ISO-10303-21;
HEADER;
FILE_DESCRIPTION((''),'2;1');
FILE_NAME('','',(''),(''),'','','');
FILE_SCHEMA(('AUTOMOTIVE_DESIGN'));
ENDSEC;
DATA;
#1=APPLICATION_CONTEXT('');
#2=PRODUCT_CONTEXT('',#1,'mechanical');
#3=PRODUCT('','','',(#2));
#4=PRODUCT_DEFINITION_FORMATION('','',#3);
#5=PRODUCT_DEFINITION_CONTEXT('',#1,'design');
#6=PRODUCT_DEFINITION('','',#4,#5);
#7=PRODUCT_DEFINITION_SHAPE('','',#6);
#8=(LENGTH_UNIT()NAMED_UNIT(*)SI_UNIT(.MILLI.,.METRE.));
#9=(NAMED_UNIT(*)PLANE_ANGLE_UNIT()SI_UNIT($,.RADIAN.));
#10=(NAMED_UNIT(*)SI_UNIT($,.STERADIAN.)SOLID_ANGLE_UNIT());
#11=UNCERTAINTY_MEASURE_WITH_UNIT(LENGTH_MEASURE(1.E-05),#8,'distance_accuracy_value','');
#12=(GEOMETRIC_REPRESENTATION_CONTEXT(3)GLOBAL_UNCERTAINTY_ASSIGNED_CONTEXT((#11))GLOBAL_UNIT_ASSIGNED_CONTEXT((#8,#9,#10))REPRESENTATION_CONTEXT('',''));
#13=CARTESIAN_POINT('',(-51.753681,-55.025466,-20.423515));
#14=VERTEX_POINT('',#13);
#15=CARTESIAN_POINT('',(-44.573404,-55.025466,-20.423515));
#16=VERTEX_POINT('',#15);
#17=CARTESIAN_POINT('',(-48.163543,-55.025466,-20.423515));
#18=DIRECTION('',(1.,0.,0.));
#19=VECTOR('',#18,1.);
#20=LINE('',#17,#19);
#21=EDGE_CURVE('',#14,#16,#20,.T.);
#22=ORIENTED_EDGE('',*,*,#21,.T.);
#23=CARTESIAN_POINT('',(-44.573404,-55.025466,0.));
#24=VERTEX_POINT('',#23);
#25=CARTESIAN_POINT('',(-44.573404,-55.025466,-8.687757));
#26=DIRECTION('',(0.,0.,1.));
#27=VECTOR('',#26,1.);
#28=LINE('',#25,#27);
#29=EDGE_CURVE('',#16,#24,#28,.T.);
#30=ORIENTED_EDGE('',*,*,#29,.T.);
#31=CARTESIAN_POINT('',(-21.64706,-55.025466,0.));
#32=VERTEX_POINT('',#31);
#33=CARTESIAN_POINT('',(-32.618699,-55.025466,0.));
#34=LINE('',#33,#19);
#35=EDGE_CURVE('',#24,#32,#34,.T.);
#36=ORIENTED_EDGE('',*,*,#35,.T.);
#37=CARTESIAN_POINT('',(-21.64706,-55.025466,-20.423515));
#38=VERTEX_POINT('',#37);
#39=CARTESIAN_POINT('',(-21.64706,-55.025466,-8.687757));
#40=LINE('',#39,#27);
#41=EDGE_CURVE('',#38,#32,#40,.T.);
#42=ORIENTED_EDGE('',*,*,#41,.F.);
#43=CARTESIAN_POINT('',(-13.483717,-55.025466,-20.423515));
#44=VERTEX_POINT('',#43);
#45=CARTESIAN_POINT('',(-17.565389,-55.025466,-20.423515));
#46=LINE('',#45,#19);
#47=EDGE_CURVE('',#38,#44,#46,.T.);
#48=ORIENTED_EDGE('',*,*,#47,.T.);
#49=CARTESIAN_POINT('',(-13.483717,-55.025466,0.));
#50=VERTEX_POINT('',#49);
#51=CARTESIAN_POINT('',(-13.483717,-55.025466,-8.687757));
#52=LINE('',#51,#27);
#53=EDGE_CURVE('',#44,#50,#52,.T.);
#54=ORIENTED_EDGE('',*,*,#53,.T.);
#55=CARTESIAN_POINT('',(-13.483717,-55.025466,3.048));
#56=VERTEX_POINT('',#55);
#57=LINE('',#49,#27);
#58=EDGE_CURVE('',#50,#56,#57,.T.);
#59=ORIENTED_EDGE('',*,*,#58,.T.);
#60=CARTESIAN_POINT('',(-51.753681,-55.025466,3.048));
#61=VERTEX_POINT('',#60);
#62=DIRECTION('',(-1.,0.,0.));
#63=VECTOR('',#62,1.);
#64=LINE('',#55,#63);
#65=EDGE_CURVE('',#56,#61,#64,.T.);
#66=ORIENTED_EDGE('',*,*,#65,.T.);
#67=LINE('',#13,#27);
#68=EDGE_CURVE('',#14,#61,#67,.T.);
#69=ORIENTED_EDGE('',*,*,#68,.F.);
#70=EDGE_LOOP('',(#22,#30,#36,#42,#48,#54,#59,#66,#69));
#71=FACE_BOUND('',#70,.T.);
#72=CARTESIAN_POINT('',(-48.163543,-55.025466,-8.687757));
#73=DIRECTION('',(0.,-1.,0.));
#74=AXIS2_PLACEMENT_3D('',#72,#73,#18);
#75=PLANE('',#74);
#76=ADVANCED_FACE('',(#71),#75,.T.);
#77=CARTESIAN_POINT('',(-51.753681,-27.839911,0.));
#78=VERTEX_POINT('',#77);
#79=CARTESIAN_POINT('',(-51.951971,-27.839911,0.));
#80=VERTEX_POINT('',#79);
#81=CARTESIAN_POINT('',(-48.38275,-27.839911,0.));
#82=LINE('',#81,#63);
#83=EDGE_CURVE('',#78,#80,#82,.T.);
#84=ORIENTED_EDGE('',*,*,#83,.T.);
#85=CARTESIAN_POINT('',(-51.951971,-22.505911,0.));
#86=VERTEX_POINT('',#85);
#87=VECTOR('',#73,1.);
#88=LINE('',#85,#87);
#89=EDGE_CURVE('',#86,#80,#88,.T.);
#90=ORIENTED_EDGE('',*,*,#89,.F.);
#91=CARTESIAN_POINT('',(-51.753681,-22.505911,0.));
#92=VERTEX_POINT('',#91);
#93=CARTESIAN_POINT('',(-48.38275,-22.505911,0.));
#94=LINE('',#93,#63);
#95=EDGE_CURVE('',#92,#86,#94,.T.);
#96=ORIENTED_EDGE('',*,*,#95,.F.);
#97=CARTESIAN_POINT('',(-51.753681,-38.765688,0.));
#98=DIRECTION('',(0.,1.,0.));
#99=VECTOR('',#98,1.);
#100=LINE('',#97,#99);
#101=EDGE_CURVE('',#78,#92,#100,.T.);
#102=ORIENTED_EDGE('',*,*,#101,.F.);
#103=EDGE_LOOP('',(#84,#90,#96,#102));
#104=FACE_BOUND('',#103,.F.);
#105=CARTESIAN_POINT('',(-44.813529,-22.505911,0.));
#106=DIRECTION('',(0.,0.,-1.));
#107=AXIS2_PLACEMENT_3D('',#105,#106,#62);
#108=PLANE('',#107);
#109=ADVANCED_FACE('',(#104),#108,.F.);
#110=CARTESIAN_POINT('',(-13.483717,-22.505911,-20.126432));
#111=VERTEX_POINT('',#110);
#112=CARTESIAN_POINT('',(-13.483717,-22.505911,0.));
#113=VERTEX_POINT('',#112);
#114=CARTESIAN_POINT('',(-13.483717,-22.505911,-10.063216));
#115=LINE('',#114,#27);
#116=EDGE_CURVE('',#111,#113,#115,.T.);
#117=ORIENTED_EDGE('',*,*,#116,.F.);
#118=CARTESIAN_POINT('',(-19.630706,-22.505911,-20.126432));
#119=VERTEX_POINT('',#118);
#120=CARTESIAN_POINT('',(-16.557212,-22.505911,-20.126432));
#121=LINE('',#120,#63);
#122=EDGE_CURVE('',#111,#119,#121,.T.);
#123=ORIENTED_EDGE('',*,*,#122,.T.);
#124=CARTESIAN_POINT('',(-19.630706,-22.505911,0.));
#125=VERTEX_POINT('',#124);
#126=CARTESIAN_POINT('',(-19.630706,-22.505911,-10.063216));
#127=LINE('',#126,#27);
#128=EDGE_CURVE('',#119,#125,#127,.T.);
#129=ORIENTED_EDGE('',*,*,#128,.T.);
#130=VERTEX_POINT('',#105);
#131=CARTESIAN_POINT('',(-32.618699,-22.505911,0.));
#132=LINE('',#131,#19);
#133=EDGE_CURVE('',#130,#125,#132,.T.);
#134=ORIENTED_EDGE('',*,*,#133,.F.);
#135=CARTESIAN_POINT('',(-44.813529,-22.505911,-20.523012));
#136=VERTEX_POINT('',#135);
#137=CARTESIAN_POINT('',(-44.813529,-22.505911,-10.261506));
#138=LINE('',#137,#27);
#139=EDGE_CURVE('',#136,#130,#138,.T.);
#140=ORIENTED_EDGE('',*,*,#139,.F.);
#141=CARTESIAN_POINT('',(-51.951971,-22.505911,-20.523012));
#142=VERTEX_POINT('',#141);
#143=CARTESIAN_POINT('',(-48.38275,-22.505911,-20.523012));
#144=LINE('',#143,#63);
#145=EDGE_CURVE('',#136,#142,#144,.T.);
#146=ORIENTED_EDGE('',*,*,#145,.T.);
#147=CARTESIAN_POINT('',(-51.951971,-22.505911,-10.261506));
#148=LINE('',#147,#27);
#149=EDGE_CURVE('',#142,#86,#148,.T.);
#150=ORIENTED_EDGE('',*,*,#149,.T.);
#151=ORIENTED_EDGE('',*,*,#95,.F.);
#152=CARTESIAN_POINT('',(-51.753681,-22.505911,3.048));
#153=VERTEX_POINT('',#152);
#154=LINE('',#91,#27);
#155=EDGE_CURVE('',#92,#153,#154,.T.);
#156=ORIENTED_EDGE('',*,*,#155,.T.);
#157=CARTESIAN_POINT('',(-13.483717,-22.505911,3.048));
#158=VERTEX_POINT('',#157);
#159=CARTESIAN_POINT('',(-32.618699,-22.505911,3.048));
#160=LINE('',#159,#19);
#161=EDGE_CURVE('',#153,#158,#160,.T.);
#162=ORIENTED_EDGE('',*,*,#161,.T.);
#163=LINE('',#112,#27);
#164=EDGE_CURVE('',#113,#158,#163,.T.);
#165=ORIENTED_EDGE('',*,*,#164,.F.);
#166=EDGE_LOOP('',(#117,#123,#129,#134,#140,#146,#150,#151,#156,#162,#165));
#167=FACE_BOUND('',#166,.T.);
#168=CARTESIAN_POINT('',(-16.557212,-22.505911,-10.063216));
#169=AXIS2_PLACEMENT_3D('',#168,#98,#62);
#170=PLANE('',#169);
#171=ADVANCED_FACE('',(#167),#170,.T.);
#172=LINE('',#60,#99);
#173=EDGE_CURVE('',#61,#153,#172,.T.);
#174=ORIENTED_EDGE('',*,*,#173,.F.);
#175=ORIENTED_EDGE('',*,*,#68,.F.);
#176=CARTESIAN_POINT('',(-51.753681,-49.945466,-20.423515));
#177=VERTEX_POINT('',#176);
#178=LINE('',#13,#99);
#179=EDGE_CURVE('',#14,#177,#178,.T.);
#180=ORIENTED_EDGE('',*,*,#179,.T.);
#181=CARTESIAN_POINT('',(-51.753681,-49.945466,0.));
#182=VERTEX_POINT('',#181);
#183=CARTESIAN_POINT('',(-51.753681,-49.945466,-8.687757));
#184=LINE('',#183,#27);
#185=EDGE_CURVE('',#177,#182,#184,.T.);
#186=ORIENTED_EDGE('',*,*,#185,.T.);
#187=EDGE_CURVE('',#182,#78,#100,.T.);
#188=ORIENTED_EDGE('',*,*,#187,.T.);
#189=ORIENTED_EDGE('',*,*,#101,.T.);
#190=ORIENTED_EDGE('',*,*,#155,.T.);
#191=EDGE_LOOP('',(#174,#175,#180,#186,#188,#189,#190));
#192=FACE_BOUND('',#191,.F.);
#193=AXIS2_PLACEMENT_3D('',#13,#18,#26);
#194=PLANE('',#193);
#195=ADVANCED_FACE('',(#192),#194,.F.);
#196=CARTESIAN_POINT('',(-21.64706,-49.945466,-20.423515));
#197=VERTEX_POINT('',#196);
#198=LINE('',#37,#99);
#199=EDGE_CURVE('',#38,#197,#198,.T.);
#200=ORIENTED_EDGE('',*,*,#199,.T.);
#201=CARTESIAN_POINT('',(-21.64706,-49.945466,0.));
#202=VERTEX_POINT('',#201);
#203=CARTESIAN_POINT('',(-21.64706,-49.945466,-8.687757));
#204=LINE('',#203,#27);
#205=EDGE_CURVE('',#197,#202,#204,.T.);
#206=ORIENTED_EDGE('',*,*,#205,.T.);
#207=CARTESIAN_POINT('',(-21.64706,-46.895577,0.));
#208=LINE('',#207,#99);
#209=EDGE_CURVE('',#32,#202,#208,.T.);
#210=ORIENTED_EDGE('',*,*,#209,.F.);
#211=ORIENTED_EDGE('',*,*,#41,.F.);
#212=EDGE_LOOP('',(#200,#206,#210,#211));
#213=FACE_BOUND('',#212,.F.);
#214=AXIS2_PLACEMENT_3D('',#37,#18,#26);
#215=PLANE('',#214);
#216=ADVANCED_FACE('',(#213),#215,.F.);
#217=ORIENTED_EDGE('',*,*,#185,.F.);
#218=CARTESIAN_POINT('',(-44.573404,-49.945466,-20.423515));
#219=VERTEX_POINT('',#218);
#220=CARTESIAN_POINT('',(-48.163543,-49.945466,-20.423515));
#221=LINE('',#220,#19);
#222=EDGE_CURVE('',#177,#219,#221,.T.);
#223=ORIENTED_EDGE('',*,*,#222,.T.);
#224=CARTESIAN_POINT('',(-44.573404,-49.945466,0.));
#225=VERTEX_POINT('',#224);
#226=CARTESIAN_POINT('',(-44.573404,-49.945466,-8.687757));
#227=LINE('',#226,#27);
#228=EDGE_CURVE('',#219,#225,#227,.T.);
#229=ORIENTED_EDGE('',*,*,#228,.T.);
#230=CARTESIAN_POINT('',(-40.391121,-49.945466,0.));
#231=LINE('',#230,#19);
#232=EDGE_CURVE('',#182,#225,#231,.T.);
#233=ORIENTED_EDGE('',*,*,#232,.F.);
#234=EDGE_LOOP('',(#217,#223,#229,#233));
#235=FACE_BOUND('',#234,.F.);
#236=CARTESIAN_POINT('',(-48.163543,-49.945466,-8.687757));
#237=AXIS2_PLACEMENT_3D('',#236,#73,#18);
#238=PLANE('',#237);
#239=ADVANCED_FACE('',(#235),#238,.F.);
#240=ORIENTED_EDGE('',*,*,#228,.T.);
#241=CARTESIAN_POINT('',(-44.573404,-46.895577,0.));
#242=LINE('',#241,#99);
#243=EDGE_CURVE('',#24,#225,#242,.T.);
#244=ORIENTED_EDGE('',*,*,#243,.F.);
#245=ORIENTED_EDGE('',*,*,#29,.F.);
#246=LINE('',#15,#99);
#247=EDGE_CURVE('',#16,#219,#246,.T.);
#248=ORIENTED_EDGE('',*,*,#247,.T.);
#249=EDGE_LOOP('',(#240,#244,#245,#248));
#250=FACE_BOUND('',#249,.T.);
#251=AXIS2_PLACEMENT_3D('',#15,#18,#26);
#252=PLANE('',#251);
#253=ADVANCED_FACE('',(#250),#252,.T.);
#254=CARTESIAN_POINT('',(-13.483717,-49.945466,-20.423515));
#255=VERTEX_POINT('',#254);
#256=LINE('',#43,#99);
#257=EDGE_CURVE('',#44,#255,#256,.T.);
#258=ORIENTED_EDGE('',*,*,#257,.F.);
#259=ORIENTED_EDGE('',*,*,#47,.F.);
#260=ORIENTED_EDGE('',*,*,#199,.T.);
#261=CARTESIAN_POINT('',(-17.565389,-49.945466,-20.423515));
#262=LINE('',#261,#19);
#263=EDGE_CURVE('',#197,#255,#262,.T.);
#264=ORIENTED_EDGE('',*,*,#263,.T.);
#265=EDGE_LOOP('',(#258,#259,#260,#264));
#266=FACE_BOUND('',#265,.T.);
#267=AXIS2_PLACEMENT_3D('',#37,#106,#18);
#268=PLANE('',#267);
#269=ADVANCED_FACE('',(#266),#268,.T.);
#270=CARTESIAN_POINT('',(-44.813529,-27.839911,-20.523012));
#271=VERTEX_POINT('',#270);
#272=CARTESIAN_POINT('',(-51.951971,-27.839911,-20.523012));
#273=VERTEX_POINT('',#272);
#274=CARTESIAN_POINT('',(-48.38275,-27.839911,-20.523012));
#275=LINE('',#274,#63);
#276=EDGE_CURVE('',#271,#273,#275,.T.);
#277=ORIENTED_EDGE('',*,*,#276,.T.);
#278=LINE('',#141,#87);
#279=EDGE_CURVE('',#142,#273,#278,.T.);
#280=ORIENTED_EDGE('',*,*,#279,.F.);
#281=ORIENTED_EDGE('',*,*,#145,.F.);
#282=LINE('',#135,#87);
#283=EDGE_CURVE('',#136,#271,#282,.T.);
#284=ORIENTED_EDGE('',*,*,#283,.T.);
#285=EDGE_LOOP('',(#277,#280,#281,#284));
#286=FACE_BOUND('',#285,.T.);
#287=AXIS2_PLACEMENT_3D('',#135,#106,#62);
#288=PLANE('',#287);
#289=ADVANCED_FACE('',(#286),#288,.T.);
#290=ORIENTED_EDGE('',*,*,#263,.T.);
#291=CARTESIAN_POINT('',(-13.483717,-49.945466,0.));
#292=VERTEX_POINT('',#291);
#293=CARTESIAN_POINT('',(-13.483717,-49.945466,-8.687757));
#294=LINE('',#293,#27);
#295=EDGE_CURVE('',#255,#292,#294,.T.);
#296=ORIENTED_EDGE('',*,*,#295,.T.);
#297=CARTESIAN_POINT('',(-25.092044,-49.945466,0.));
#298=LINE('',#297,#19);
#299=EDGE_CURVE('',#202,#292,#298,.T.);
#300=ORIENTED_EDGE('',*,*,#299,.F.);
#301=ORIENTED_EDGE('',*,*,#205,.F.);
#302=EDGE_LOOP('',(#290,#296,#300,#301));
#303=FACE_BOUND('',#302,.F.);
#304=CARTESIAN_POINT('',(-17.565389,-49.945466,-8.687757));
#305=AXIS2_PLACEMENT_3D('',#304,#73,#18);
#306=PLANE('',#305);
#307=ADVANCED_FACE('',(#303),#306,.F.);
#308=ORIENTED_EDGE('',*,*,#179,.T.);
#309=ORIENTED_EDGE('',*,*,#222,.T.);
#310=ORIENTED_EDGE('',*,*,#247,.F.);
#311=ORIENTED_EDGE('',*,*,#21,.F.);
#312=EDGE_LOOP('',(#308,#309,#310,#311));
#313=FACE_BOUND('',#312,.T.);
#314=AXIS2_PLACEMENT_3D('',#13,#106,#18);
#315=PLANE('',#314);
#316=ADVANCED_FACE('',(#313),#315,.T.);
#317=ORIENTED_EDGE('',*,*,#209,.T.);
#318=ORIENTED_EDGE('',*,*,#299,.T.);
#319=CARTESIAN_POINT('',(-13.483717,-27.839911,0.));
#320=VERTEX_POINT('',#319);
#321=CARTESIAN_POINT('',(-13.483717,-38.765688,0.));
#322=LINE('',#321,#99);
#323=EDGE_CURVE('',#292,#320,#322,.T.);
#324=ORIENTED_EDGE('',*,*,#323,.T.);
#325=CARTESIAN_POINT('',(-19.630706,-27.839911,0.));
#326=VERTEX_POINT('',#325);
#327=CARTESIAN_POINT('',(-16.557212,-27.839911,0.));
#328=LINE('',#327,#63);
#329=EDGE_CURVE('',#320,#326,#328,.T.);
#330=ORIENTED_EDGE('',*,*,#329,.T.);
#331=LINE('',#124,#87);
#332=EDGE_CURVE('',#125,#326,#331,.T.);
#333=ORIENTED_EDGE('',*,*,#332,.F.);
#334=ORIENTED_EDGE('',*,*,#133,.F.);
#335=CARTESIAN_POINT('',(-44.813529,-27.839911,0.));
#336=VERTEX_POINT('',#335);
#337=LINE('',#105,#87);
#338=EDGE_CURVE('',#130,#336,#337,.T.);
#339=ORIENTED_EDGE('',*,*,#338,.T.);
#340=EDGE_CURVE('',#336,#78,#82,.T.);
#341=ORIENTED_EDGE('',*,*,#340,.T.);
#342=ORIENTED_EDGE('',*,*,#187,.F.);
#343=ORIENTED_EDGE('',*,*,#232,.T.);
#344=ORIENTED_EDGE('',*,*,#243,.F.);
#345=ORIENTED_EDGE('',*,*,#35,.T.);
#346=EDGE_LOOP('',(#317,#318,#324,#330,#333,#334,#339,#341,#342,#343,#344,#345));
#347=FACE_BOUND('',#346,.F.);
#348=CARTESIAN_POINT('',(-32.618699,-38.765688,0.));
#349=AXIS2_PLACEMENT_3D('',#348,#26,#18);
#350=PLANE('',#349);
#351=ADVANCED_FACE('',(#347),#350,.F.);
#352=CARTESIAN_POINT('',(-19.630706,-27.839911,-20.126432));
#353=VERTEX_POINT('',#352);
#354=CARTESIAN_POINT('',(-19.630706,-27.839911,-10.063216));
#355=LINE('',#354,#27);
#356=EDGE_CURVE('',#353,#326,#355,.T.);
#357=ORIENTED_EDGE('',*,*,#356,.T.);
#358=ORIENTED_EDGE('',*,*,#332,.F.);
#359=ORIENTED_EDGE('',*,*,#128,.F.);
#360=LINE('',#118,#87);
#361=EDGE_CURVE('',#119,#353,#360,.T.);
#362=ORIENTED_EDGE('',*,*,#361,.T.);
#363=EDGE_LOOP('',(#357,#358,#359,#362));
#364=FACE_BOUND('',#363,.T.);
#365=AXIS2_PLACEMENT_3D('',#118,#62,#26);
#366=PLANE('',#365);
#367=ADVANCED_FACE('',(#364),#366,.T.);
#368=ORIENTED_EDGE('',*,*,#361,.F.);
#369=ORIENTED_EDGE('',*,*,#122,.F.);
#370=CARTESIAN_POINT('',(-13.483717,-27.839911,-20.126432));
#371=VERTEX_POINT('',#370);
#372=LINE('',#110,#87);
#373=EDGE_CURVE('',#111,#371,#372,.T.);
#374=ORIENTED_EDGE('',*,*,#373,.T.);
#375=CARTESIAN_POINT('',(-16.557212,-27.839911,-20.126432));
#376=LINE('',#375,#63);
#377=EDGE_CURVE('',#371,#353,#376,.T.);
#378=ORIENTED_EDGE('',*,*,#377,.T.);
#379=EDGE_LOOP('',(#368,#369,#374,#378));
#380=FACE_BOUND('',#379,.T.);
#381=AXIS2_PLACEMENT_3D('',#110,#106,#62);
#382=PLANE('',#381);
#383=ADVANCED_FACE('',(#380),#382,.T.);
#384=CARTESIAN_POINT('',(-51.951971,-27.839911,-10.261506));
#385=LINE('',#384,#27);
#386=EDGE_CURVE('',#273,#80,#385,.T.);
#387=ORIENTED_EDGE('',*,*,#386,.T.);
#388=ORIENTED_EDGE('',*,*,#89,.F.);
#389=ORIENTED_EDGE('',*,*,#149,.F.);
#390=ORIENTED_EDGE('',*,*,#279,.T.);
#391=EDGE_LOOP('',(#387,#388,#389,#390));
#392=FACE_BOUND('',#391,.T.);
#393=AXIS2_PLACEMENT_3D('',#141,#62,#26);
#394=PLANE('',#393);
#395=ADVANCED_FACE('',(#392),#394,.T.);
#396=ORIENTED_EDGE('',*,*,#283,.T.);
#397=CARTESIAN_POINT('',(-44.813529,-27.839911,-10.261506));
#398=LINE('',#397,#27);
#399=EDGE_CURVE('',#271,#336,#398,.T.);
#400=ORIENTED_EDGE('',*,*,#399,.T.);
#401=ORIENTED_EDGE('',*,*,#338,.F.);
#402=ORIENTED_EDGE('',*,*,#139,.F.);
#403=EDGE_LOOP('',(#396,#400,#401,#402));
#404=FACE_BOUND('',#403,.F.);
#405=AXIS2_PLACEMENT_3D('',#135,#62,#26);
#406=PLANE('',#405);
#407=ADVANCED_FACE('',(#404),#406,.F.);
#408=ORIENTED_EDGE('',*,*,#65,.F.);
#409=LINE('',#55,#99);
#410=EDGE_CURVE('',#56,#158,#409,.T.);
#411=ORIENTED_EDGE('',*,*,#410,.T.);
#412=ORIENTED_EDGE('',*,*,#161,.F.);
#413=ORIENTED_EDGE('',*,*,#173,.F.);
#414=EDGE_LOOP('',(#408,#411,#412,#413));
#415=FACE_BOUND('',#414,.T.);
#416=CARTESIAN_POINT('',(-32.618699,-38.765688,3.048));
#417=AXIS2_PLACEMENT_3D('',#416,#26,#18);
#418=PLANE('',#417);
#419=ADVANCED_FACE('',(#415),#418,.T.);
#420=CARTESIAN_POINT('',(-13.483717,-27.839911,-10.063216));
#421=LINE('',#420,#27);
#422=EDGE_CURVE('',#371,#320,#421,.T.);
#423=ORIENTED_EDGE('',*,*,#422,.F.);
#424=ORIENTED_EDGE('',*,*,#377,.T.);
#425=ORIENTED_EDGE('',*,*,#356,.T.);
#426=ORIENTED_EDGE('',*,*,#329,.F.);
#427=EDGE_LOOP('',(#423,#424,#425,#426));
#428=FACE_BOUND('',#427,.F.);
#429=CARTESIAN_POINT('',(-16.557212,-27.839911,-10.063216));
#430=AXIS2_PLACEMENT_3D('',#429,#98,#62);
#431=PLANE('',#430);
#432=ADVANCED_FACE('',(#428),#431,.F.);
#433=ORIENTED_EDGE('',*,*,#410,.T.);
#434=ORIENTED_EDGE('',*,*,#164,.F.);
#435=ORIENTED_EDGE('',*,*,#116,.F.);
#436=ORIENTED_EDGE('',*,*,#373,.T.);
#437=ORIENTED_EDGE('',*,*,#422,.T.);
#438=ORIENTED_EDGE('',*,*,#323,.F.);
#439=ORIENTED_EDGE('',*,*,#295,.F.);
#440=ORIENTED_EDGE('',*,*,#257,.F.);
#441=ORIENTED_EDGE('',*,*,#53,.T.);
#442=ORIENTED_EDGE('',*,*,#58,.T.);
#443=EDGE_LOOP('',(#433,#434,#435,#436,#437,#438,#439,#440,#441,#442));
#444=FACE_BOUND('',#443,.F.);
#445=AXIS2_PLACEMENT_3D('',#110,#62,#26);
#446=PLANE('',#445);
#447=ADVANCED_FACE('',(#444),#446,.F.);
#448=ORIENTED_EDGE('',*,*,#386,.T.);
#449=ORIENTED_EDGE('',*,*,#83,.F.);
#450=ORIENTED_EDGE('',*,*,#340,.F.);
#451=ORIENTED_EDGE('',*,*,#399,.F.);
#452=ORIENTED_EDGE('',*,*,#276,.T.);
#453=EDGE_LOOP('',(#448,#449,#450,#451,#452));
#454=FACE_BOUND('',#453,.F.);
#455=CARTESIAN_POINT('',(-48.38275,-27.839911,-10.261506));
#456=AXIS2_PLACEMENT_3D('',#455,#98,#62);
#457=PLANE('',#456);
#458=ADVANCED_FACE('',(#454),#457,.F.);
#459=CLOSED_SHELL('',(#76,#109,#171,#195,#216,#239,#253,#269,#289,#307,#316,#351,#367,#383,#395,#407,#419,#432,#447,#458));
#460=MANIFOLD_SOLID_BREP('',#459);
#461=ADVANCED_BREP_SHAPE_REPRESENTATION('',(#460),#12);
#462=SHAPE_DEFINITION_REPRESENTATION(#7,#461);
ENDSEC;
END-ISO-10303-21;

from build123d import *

# Parameters (mm, degrees)
F0_W     = 38.2699640468
F0_H     = 32.5195547193
F1_DEPTH = 3.048
F2_W     = 6.1469888315
F2_H     = 20.1264321804
F2_W_2   = 7.1384422481
F2_H_2   = 20.5230116844
F3_DEPTH = 5.334
F4_W     = 7.1802772582
F4_H     = 23.4715147685
F4_W_2   = 8.1633431837
F5_DEPTH = 5.08


with BuildPart() as f1:
    # F0 (on Top) → F1 (new body)
    with BuildSketch(Plane.XY):
        with Locations((-32.6186991297, -38.7656884268)):
            Rectangle(F0_W, F0_H)
    extrude(amount=F1_DEPTH)

    # F2 (on face) → F3 (join)
    with BuildSketch(Plane(origin=(0, -22.5059110671, 0), x_dir=(-1, 0, 0), z_dir=(0, 1, 0))):
        with Locations((16.557211522, -10.0632160902)):
            Rectangle(F2_W, F2_H)
        with Locations((48.382749781, -10.2615058422)):
            Rectangle(F2_W_2, F2_H_2)
    extrude(amount=-F3_DEPTH)

    # F4 (on face) → F5 (join)
    with BuildSketch(Plane.XZ.offset(55.0254657865)):
        with Locations((-48.163542524, -8.6877573842)):
            Rectangle(F4_W, F4_H)
        with Locations((-17.5653886981, -8.6877573842)):
            Rectangle(F4_W_2, F4_H)
    extrude(amount=-F5_DEPTH)


solid = f1.part
